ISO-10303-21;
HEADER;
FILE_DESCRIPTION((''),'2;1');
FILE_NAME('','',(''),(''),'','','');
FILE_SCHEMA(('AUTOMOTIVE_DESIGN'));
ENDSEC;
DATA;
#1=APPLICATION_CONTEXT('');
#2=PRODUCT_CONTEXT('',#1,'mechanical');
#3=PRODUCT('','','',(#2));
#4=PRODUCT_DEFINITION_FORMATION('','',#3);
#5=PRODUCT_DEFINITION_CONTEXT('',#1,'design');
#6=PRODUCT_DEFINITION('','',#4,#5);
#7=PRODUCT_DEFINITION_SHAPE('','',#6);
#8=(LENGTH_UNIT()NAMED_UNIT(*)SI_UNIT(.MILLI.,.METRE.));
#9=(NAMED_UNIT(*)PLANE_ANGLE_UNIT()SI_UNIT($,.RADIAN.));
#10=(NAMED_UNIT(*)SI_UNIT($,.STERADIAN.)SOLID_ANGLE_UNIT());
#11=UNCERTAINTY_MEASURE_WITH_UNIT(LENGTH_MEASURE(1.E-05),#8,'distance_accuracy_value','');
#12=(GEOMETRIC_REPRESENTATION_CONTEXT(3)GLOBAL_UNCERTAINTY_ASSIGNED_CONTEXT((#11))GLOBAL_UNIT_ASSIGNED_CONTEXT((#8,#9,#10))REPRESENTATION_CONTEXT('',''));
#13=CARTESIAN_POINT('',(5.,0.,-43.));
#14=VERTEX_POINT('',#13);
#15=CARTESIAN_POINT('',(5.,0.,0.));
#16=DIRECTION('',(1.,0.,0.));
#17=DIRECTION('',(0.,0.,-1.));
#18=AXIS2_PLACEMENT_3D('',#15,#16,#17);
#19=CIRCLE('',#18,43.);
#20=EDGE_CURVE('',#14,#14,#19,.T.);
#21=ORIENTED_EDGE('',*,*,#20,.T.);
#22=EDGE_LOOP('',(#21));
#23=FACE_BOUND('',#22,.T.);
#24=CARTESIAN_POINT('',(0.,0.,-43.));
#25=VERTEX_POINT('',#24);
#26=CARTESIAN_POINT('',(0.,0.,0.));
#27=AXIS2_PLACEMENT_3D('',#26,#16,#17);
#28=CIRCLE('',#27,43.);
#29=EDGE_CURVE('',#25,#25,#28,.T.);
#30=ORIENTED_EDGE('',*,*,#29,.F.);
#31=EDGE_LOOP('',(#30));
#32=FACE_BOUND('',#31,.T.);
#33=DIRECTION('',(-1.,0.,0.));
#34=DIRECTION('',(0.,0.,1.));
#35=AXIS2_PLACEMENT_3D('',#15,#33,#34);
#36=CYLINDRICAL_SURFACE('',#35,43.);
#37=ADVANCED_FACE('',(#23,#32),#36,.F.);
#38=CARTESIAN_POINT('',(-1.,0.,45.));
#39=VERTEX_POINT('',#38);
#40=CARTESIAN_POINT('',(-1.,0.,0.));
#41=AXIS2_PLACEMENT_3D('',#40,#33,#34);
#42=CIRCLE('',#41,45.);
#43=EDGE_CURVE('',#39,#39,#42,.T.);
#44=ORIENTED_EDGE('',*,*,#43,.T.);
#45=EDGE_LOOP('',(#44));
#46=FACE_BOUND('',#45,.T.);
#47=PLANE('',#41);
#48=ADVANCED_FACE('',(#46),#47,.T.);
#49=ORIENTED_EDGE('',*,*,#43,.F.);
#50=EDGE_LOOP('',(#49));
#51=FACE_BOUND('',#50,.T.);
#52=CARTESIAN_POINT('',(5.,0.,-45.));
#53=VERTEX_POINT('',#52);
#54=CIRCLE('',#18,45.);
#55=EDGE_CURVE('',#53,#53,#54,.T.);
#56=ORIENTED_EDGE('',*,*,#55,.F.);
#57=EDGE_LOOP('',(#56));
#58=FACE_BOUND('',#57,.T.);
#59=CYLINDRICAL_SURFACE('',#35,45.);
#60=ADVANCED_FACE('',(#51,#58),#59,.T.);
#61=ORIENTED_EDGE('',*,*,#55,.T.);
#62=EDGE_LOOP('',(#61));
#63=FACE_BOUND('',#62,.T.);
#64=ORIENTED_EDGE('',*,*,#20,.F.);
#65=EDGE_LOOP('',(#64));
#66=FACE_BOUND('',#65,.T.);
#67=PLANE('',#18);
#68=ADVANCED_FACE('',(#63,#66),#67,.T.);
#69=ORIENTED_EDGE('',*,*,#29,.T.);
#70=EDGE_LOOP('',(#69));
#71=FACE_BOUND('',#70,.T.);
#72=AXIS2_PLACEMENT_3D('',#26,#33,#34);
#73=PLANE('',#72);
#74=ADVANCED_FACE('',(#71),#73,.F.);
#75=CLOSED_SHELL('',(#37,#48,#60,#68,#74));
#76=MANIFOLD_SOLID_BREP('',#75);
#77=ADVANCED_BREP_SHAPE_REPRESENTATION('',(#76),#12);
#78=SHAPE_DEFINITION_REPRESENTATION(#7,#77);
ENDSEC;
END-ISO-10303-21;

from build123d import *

# Parameters (mm, degrees)
SKETCH1_R           = 45
SKETCH1_R_2         = 43
BOSS_EXTRUDE1_DEPTH = 5
BOSS_EXTRUDE2_START = 1
SKETCH2_R           = 45
BOSS_EXTRUDE2_DEPTH = 1


with BuildPart() as part:
    # Sketch1 → Boss-Extrude1 (new body)
    with BuildSketch(Plane(origin=(0, 0, 0), x_dir=(0, 0, -1), z_dir=(1, 0, 0))):
        Circle(SKETCH1_R)
        Circle(SKETCH1_R_2, mode=Mode.SUBTRACT)
    extrude(amount=BOSS_EXTRUDE1_DEPTH)

    # Sketch2 → Boss-Extrude2 (add)
    with BuildSketch(Plane.ZY.offset(BOSS_EXTRUDE2_START)):
        Circle(SKETCH2_R)
    extrude(amount=-BOSS_EXTRUDE2_DEPTH)


solid = part.part
